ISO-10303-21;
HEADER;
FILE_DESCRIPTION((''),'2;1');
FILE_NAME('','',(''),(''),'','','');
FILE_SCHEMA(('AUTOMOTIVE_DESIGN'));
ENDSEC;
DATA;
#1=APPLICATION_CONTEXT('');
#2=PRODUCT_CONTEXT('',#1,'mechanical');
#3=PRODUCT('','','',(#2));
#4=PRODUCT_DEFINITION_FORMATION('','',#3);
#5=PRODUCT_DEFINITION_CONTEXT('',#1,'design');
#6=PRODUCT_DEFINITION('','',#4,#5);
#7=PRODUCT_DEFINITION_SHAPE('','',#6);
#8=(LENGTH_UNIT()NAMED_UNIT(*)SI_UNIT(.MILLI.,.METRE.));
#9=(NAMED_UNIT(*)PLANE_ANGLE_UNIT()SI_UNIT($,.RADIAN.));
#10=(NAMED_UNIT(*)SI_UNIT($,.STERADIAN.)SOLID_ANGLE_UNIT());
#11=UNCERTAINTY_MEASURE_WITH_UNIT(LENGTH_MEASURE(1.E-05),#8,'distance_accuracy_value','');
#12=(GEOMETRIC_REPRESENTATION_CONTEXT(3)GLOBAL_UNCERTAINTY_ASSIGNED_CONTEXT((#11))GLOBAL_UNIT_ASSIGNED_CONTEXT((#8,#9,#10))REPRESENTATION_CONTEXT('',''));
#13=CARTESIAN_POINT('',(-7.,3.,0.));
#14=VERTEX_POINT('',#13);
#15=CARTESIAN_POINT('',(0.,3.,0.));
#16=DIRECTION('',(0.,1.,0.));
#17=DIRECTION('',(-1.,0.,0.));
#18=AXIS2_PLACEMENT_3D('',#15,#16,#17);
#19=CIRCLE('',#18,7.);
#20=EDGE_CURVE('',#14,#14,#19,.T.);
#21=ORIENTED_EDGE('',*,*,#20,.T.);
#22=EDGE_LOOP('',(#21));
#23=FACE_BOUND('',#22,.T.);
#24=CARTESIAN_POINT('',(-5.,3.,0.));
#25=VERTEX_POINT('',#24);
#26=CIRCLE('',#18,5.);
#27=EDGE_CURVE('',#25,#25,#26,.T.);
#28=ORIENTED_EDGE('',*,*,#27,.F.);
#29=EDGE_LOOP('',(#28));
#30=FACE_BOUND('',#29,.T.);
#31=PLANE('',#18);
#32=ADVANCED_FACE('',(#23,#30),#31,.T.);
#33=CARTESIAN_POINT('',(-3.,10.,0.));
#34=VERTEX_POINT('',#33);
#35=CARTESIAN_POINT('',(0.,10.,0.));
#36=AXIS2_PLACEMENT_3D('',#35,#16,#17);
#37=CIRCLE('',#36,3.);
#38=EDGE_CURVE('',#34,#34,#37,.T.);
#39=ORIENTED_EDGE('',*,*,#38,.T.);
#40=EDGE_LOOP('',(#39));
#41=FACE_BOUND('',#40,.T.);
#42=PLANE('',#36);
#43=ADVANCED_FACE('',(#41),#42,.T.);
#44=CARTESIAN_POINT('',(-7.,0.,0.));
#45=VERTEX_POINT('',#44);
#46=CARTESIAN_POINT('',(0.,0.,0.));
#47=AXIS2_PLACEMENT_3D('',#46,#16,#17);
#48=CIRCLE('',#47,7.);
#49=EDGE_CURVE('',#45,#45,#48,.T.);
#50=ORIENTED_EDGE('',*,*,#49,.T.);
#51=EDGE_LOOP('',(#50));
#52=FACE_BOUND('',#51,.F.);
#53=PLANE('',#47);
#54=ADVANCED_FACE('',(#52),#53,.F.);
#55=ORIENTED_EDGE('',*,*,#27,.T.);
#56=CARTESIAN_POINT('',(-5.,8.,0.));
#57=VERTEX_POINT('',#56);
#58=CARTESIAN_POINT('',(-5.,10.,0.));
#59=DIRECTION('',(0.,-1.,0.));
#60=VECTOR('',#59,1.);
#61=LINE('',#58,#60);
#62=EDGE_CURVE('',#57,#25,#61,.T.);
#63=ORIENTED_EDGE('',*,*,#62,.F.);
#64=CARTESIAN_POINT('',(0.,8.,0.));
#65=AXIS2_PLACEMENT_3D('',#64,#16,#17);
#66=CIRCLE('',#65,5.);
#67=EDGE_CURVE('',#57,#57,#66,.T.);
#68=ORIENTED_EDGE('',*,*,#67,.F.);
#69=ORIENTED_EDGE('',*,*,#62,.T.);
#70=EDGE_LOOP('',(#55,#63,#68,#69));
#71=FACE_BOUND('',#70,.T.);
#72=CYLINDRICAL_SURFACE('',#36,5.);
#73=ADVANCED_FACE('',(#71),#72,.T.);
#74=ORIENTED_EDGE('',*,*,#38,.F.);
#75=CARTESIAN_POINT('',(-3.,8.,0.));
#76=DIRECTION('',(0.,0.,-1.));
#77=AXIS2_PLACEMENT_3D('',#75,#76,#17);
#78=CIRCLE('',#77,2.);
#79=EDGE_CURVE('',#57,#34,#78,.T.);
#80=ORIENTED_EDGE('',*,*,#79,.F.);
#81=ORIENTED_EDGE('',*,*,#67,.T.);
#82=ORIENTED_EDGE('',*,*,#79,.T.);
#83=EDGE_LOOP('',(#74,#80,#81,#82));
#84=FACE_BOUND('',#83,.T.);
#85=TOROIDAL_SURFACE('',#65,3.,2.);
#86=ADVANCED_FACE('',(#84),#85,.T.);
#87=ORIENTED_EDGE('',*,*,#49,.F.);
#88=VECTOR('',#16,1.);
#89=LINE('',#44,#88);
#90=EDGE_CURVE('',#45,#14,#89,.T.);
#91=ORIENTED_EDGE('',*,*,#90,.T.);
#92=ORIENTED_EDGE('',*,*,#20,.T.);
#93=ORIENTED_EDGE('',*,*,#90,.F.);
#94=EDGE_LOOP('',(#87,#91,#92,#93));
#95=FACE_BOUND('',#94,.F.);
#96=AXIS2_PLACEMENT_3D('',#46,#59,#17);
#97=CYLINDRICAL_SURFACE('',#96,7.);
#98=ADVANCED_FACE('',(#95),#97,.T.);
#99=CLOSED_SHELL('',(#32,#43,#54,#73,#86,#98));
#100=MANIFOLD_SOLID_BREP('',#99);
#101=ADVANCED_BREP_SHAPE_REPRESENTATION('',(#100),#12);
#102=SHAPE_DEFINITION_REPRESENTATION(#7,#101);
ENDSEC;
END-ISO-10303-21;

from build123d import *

# Parameters (mm, degrees)
SKETCH_R             = 7
PAD_DEPTH            = 10
SKETCH001_R          = 7
SKETCH001_R_2        = 5
POCKET_DEPTH         = 7
FILLET_R             = 2
BODY_PLACEMENT_ANGLE = 180


with BuildPart() as part:
    # Sketch → Pad (new body)
    with BuildSketch(Plane.XZ):
        Circle(SKETCH_R)
    extrude(amount=PAD_DEPTH)

    # Sketch001 (on Face3 of Pad) → Pocket (cut)
    with BuildSketch(Plane.XZ.offset(10)):
        Circle(SKETCH001_R)
        Circle(SKETCH001_R_2, mode=Mode.SUBTRACT)
    extrude(amount=-POCKET_DEPTH, mode=Mode.SUBTRACT)

    # Fillet
    fillet_edges = [part.edges().sort_by_distance(p)[0] for p in [
        (-5, -10, 0),
    ]]
    fillet(fillet_edges, radius=FILLET_R)


with BuildPart() as part_1:
    # Body placement: moved
    add(part.part.rotate(Axis((0, 0, 0), (0, 0, 1)), BODY_PLACEMENT_ANGLE))


solid = part_1.part
